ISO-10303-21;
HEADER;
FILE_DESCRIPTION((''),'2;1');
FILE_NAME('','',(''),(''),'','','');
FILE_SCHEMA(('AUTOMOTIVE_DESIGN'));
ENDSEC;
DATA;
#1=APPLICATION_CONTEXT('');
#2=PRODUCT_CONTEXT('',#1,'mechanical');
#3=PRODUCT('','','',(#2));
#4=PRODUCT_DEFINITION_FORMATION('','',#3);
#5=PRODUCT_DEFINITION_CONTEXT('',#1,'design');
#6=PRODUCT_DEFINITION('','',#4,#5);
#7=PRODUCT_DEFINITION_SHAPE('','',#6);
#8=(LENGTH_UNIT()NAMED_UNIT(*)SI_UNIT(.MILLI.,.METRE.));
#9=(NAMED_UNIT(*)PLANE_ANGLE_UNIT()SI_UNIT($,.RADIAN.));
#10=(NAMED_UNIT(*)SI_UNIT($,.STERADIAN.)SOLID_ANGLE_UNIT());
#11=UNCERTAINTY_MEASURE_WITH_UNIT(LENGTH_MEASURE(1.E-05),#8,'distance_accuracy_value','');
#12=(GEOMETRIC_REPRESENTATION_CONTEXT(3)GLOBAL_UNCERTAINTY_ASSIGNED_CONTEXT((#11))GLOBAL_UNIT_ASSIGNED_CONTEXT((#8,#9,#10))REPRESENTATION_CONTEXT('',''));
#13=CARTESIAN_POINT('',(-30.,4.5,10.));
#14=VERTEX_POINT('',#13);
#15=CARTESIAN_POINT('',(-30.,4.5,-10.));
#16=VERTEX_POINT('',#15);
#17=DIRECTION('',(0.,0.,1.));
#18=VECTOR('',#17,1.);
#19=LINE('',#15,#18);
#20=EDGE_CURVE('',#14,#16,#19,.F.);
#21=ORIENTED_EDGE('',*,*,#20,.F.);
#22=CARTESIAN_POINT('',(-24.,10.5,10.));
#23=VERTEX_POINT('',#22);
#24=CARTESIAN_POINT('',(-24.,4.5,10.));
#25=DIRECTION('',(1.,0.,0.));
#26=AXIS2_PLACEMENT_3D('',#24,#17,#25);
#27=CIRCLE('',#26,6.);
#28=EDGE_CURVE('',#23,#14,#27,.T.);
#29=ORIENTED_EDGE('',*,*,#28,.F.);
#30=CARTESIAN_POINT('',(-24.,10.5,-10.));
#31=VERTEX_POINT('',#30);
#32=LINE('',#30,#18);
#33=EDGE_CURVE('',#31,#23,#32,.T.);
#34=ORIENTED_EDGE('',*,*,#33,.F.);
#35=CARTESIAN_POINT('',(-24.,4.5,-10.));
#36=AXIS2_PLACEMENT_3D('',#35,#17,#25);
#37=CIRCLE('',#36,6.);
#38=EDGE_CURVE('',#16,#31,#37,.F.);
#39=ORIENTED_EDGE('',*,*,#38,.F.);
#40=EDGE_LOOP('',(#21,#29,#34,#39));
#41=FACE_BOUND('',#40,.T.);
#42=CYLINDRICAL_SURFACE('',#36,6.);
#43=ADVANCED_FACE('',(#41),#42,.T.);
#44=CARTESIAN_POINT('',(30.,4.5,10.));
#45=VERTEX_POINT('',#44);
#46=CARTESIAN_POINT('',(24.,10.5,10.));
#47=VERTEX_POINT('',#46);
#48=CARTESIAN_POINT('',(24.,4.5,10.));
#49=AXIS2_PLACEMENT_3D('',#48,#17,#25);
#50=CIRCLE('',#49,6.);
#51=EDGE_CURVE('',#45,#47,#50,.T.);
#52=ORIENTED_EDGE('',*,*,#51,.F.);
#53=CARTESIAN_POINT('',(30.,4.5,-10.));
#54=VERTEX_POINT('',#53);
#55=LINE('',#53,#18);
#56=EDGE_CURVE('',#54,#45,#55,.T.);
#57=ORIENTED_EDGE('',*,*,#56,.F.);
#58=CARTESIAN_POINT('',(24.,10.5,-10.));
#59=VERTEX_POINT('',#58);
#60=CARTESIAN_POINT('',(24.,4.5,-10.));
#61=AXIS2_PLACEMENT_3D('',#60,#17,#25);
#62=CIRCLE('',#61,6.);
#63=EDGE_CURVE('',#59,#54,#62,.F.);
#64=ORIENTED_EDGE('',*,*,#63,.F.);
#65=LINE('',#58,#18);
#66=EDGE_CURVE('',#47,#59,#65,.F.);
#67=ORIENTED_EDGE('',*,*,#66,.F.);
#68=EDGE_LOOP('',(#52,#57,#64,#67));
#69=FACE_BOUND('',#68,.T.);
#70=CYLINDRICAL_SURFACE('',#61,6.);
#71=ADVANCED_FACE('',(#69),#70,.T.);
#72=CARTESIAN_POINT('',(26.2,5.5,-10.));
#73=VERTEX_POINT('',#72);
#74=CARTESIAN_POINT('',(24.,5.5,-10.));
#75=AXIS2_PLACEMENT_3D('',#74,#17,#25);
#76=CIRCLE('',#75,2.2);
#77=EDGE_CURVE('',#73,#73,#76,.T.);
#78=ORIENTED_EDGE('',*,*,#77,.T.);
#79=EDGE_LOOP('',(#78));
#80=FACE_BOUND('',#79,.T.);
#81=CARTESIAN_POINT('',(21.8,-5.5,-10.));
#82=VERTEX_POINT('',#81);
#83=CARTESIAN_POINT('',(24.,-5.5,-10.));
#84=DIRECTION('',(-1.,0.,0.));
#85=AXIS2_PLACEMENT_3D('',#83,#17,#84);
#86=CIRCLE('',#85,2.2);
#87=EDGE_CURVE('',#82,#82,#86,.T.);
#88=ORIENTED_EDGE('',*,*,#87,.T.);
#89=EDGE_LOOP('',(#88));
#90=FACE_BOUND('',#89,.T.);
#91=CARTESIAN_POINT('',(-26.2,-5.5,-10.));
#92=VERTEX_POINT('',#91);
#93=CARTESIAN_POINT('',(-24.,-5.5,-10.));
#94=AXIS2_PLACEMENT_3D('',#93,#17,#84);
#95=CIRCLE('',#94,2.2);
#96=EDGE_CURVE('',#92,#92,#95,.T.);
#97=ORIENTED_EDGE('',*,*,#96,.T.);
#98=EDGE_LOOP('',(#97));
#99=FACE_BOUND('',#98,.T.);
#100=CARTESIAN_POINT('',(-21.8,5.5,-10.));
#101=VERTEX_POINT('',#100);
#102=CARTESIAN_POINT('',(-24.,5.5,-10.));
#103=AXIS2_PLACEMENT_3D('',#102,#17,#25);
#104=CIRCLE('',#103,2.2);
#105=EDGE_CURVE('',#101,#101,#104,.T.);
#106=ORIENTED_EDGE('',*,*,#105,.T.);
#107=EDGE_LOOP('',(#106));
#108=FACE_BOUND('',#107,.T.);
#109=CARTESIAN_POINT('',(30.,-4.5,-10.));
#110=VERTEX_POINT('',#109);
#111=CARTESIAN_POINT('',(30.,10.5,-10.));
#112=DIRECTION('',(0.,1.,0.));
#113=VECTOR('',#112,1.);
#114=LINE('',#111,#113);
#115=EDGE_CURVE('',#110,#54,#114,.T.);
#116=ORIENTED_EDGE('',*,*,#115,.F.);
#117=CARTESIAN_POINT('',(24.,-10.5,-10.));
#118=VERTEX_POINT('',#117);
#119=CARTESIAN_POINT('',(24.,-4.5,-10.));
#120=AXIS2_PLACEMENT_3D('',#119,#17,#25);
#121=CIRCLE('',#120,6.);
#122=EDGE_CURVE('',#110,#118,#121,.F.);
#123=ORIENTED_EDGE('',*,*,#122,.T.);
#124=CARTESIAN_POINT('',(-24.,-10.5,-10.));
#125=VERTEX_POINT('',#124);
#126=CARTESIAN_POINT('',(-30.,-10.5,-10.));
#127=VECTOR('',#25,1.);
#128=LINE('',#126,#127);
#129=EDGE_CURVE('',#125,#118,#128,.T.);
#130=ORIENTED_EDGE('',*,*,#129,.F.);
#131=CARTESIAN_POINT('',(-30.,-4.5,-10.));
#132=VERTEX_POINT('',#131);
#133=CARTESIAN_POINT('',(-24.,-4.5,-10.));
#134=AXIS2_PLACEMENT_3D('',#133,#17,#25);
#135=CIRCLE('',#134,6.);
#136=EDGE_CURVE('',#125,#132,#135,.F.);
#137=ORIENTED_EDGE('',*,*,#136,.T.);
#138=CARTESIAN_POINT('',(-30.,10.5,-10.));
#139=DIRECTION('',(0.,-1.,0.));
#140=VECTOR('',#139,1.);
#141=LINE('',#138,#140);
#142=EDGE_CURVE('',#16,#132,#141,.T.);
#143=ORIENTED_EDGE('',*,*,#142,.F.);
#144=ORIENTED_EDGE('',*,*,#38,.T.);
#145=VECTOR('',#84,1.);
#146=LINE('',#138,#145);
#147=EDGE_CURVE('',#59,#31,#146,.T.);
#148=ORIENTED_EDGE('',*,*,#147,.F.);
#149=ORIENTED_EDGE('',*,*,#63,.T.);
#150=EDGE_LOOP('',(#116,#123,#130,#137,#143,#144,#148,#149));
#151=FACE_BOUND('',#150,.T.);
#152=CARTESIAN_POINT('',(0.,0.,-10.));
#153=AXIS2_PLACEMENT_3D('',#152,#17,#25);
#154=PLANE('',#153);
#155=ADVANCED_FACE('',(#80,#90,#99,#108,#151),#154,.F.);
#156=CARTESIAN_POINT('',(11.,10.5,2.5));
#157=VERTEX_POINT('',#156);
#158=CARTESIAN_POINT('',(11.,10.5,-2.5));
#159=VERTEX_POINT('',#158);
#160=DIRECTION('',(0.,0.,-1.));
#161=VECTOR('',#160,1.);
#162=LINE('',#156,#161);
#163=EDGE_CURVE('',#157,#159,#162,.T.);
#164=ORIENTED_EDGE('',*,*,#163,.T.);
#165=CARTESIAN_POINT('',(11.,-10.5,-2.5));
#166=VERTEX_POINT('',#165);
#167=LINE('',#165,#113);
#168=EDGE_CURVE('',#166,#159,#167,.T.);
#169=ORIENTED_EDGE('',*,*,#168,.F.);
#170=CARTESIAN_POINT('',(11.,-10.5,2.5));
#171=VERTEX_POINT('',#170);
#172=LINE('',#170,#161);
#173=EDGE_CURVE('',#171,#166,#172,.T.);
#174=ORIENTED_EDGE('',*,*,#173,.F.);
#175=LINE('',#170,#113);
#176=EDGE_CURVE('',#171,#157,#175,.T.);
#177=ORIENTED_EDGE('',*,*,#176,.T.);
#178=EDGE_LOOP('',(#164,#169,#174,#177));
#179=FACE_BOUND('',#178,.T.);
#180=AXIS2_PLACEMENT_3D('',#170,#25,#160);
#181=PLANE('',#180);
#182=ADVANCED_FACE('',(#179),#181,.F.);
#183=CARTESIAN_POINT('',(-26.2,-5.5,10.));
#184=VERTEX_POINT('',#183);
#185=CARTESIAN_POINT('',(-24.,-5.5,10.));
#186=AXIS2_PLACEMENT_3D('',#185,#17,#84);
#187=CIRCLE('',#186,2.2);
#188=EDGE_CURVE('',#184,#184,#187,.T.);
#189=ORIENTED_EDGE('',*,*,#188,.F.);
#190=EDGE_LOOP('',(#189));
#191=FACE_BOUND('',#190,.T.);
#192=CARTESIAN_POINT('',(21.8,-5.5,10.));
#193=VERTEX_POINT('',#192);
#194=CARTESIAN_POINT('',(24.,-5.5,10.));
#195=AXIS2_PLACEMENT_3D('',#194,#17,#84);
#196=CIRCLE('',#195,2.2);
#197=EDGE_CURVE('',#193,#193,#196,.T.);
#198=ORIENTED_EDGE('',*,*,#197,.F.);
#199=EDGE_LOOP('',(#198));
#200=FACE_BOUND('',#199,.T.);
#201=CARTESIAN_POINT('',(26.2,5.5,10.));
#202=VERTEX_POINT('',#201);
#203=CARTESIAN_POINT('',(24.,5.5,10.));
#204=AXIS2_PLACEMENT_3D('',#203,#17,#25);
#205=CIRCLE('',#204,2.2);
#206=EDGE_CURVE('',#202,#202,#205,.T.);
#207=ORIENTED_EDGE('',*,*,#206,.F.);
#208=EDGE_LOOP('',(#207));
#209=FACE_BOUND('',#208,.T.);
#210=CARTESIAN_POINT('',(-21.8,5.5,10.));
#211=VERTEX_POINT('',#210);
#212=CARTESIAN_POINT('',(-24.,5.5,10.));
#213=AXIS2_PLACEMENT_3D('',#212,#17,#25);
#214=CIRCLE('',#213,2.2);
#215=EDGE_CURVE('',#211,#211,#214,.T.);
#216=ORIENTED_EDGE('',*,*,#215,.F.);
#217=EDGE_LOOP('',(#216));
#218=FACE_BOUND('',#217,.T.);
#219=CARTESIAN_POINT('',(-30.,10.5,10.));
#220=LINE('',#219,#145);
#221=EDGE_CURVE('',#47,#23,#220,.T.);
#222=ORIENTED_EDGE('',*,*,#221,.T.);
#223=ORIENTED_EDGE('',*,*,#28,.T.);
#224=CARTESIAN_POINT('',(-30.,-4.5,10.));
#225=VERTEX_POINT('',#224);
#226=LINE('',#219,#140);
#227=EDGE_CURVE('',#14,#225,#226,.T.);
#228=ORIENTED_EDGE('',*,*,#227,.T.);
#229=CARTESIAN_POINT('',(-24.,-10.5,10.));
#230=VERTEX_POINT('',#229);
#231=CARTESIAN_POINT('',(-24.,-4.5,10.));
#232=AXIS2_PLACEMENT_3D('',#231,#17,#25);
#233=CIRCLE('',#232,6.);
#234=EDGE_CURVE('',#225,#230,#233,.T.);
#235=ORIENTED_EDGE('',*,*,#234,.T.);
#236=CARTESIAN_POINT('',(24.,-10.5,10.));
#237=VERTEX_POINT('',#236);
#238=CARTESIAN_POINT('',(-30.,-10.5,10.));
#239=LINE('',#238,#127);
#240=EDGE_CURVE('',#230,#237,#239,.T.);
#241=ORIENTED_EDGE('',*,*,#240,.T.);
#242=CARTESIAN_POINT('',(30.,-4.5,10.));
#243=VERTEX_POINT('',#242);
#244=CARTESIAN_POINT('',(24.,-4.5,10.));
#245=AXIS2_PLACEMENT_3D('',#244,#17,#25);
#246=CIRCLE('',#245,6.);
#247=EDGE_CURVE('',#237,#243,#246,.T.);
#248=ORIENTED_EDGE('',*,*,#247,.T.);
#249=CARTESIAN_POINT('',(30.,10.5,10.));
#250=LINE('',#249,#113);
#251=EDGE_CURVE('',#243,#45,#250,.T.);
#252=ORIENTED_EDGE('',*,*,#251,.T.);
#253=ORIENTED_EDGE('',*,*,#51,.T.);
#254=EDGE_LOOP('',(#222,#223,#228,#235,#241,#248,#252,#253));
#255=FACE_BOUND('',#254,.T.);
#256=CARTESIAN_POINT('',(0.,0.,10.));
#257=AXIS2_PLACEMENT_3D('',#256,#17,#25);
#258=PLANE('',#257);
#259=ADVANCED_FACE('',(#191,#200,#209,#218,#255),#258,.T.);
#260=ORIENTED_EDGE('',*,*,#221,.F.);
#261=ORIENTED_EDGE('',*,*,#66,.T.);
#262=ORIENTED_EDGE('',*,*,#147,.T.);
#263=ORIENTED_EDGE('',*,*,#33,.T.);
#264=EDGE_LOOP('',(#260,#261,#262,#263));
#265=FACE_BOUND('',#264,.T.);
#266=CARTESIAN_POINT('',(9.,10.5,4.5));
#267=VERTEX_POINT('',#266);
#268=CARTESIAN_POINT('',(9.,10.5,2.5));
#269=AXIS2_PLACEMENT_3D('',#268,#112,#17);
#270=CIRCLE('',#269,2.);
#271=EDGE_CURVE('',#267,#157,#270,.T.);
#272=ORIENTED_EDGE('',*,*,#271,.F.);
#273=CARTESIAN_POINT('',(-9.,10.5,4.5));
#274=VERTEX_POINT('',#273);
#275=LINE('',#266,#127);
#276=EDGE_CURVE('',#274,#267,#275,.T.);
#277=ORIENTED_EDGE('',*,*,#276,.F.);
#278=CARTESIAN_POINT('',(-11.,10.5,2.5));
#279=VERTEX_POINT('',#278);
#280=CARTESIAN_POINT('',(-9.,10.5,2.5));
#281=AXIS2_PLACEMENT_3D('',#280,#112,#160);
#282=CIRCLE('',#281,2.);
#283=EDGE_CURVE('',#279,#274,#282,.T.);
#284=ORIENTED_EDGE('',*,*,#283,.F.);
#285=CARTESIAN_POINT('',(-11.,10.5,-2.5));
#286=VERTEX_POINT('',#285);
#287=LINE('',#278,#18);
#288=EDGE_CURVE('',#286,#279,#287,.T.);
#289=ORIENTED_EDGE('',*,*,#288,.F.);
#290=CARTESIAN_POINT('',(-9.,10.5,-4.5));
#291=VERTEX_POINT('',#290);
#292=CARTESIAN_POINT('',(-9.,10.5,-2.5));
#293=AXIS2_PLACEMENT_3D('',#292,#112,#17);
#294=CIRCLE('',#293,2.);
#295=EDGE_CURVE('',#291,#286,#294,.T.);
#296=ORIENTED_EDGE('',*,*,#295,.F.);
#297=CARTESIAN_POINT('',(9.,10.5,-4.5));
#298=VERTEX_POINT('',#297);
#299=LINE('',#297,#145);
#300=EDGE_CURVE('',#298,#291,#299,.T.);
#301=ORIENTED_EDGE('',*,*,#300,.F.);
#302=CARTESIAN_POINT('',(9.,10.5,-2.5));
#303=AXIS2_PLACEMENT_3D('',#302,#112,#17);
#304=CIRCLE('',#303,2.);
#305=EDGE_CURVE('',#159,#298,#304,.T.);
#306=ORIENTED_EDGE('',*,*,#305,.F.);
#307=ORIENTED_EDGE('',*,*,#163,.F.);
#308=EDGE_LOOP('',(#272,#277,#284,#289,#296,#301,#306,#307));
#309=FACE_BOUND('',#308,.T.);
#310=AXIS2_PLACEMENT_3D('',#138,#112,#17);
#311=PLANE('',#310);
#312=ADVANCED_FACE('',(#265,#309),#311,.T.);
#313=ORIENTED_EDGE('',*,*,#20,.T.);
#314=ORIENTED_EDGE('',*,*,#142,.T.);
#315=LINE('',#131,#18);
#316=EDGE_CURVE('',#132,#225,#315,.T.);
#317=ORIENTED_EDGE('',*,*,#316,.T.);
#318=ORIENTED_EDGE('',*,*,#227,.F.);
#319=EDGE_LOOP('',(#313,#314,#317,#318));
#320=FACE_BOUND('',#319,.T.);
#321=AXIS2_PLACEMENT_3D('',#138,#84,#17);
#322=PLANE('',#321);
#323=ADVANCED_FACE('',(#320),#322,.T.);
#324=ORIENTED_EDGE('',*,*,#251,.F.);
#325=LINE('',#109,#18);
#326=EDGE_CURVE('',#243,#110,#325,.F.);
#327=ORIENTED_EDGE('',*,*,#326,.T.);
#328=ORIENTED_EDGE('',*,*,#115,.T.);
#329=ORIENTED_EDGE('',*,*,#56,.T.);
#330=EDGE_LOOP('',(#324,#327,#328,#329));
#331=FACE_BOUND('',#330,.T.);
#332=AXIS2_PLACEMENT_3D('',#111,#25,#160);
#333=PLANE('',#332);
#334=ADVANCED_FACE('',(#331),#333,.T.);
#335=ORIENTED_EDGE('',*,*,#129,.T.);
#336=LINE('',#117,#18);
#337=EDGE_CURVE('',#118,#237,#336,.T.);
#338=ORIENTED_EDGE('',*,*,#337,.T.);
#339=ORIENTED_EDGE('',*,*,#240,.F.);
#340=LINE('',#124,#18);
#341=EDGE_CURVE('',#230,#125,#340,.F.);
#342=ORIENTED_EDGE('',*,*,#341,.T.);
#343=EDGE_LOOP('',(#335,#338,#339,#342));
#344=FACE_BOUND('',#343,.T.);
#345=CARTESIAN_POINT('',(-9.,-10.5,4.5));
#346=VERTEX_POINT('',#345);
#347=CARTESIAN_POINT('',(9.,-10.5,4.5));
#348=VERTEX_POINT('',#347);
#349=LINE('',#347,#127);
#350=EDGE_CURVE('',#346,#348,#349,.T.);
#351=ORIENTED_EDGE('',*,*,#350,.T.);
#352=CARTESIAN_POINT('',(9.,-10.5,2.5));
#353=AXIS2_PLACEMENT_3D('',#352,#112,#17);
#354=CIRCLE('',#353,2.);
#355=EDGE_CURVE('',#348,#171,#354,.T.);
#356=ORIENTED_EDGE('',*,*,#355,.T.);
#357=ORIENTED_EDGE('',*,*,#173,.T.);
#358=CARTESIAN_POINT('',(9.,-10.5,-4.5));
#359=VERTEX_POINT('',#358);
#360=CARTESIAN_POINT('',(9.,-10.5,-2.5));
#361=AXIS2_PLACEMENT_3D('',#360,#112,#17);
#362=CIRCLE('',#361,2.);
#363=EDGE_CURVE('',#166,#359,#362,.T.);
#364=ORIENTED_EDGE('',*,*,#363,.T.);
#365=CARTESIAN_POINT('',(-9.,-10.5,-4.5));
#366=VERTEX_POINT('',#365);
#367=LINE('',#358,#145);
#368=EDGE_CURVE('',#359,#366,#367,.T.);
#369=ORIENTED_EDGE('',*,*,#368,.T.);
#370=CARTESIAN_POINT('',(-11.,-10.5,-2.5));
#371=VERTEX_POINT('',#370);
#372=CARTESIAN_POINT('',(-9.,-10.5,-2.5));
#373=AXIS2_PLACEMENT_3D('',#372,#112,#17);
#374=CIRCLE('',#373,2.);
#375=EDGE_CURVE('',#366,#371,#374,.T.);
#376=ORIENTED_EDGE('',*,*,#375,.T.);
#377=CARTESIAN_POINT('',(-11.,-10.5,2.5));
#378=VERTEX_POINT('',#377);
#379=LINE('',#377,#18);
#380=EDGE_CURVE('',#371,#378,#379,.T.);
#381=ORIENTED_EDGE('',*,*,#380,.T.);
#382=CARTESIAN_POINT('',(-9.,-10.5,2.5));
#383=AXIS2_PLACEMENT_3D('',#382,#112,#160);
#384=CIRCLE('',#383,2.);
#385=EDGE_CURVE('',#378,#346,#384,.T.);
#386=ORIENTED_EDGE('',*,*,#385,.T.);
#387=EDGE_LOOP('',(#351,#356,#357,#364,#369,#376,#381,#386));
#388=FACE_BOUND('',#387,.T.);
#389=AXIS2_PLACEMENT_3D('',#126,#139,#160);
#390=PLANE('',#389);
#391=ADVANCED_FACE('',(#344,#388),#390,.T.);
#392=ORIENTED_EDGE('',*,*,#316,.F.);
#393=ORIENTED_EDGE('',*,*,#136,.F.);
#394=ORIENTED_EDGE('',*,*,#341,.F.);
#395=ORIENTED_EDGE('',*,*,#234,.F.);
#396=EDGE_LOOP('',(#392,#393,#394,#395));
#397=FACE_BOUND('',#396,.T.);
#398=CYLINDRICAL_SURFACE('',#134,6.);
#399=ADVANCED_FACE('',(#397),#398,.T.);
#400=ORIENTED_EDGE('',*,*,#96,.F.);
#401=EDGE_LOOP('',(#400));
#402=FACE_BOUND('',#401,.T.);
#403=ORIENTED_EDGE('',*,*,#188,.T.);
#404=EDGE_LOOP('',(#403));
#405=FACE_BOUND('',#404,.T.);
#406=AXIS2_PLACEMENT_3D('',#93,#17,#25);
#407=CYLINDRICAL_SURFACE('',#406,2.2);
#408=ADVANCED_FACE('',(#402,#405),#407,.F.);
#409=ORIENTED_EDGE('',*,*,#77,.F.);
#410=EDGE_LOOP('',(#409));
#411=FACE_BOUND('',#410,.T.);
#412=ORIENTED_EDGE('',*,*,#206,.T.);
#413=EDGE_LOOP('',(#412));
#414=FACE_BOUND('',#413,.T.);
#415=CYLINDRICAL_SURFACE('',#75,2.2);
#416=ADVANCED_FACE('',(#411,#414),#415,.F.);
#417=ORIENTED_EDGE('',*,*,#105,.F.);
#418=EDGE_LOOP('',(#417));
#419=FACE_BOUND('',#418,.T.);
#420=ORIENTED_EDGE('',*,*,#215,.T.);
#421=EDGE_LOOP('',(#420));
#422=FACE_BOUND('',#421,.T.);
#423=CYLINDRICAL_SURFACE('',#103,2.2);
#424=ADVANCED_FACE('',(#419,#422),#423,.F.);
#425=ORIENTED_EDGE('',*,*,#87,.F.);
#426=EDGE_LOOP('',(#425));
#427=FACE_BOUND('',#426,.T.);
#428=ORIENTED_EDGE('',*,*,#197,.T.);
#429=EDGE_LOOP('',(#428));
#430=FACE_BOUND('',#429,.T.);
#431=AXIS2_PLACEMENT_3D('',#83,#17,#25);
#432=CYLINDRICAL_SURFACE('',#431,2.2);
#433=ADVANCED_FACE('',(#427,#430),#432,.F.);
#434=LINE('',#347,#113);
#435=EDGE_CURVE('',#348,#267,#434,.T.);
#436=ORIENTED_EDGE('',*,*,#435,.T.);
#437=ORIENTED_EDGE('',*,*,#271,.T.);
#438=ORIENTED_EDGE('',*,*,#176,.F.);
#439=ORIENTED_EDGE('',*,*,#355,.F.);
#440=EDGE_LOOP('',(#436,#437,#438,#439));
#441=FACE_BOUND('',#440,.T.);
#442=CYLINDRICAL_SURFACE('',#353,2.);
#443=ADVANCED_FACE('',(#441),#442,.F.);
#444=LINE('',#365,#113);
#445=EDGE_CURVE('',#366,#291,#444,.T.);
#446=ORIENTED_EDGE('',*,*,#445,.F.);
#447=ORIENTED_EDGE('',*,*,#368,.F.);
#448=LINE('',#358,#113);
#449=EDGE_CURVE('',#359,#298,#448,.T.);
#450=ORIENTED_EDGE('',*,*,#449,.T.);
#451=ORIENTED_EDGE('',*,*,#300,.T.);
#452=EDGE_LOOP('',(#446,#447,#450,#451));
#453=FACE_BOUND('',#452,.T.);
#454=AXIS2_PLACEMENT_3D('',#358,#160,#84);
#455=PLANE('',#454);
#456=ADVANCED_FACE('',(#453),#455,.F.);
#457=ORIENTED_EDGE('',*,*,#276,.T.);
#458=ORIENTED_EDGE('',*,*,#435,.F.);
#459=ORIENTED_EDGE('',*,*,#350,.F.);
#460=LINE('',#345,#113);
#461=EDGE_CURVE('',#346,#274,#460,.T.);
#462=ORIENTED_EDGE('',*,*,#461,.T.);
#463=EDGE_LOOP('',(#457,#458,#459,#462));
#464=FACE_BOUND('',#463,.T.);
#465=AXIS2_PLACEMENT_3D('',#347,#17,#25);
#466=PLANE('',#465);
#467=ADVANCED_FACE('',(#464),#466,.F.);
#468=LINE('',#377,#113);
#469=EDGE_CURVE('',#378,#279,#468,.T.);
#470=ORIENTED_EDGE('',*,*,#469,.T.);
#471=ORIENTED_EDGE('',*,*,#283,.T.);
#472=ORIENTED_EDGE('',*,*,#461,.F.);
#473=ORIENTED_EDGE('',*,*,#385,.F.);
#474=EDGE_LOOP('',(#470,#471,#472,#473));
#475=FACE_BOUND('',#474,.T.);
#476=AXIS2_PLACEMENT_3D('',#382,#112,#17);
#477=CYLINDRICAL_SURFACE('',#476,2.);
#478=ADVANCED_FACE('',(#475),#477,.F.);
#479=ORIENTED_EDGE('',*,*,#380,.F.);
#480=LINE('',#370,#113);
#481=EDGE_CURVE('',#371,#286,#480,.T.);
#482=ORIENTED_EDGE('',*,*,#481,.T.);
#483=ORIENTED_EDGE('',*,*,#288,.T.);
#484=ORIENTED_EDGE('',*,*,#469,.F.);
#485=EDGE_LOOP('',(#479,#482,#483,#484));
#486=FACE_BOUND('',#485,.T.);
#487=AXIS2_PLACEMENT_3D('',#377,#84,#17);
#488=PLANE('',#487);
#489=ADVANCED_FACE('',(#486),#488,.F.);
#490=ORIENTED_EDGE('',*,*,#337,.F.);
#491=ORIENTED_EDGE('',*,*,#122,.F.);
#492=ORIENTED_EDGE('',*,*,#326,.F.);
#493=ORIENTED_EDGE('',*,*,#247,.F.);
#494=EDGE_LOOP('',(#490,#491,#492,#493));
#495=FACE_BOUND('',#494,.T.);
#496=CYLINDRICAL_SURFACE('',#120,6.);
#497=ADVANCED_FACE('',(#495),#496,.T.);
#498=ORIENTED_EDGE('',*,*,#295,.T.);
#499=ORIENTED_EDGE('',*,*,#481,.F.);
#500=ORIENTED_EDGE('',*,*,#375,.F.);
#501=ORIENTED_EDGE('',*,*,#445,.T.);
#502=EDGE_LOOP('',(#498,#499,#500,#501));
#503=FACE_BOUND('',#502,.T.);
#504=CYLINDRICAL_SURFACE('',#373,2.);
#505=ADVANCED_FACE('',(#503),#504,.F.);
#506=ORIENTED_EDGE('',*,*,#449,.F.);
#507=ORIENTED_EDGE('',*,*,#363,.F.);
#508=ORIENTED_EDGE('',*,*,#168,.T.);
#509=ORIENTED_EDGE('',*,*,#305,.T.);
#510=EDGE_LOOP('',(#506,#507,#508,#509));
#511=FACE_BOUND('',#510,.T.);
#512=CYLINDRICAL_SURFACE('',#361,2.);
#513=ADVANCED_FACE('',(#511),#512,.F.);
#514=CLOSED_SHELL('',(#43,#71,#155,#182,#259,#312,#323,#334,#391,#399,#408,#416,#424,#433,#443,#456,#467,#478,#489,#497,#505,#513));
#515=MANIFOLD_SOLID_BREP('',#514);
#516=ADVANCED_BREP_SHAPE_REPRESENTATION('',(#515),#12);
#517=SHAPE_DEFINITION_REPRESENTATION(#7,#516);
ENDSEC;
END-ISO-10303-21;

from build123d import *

# Parameters (mm, degrees)
BOSS_EXTRUDE1_DEPTH      = 10
BOSS_EXTRUDE1_DEPTH_BACK = 10
SKETCH1_W                = 60
SKETCH1_H                = 21
FILLET1_R                = 6
SKETCH2_R                = 2.2
CUT_EXTRUDE1_DEPTH       = 38.553295461
CUT_EXTRUDE2_DEPTH       = 38.960505792


with BuildPart() as part:
    # Sketch1 → Boss-Extrude1 (new, two sides: drawn at the far end of the back side and taken through both)
    with BuildSketch(Plane.XY.offset(-BOSS_EXTRUDE1_DEPTH_BACK)):
        Rectangle(SKETCH1_W, SKETCH1_H)
    extrude(amount=BOSS_EXTRUDE1_DEPTH + BOSS_EXTRUDE1_DEPTH_BACK)

    # Fillet1
    fillet1_edges = [part.edges().sort_by_distance(p)[0] for p in [
        (30, -10.5, 0),
        (30, 10.5, 0),
        (-30, -10.5, 0),
        (-30, 10.5, 0),
    ]]
    fillet(fillet1_edges, radius=FILLET1_R)

    # Sketch2 → Cut-Extrude1 (cut, through all)
    with BuildSketch(Plane.XY.offset(10)):
        with Locations((-24, 5.5)):
            Circle(SKETCH2_R)
        with Locations((24, 5.5)):
            Circle(SKETCH2_R)
        with Locations((24, -5.5)):
            Circle(SKETCH2_R)
        with Locations((-24, -5.5)):
            Circle(SKETCH2_R)
    extrude(amount=-CUT_EXTRUDE1_DEPTH, mode=Mode.SUBTRACT)

    # Sketch3 → Cut-Extrude2 (cut, through all)
    with BuildSketch(Plane(origin=(0, 10.5, 0), x_dir=(1, 0, 0), z_dir=(0, 1, 0))):
        with BuildLine():
            Line((9, -4.5), (-9, -4.5))
            ThreePointArc((-9, -4.5), (-10.414213562, -3.914213562), (-11, -2.5))
            Line((-11, -2.5), (-11, 2.5))
            ThreePointArc((-11, 2.5), (-10.414213562, 3.914213562), (-9, 4.5))
            Line((-9, 4.5), (9, 4.5))
            ThreePointArc((9, 4.5), (10.414213562, 3.914213562), (11, 2.5))
            Line((11, 2.5), (11, -2.5))
            ThreePointArc((11, -2.5), (10.414213562, -3.914213562), (9, -4.5))
        make_face()
    extrude(amount=-CUT_EXTRUDE2_DEPTH, mode=Mode.SUBTRACT)


solid = part.part
